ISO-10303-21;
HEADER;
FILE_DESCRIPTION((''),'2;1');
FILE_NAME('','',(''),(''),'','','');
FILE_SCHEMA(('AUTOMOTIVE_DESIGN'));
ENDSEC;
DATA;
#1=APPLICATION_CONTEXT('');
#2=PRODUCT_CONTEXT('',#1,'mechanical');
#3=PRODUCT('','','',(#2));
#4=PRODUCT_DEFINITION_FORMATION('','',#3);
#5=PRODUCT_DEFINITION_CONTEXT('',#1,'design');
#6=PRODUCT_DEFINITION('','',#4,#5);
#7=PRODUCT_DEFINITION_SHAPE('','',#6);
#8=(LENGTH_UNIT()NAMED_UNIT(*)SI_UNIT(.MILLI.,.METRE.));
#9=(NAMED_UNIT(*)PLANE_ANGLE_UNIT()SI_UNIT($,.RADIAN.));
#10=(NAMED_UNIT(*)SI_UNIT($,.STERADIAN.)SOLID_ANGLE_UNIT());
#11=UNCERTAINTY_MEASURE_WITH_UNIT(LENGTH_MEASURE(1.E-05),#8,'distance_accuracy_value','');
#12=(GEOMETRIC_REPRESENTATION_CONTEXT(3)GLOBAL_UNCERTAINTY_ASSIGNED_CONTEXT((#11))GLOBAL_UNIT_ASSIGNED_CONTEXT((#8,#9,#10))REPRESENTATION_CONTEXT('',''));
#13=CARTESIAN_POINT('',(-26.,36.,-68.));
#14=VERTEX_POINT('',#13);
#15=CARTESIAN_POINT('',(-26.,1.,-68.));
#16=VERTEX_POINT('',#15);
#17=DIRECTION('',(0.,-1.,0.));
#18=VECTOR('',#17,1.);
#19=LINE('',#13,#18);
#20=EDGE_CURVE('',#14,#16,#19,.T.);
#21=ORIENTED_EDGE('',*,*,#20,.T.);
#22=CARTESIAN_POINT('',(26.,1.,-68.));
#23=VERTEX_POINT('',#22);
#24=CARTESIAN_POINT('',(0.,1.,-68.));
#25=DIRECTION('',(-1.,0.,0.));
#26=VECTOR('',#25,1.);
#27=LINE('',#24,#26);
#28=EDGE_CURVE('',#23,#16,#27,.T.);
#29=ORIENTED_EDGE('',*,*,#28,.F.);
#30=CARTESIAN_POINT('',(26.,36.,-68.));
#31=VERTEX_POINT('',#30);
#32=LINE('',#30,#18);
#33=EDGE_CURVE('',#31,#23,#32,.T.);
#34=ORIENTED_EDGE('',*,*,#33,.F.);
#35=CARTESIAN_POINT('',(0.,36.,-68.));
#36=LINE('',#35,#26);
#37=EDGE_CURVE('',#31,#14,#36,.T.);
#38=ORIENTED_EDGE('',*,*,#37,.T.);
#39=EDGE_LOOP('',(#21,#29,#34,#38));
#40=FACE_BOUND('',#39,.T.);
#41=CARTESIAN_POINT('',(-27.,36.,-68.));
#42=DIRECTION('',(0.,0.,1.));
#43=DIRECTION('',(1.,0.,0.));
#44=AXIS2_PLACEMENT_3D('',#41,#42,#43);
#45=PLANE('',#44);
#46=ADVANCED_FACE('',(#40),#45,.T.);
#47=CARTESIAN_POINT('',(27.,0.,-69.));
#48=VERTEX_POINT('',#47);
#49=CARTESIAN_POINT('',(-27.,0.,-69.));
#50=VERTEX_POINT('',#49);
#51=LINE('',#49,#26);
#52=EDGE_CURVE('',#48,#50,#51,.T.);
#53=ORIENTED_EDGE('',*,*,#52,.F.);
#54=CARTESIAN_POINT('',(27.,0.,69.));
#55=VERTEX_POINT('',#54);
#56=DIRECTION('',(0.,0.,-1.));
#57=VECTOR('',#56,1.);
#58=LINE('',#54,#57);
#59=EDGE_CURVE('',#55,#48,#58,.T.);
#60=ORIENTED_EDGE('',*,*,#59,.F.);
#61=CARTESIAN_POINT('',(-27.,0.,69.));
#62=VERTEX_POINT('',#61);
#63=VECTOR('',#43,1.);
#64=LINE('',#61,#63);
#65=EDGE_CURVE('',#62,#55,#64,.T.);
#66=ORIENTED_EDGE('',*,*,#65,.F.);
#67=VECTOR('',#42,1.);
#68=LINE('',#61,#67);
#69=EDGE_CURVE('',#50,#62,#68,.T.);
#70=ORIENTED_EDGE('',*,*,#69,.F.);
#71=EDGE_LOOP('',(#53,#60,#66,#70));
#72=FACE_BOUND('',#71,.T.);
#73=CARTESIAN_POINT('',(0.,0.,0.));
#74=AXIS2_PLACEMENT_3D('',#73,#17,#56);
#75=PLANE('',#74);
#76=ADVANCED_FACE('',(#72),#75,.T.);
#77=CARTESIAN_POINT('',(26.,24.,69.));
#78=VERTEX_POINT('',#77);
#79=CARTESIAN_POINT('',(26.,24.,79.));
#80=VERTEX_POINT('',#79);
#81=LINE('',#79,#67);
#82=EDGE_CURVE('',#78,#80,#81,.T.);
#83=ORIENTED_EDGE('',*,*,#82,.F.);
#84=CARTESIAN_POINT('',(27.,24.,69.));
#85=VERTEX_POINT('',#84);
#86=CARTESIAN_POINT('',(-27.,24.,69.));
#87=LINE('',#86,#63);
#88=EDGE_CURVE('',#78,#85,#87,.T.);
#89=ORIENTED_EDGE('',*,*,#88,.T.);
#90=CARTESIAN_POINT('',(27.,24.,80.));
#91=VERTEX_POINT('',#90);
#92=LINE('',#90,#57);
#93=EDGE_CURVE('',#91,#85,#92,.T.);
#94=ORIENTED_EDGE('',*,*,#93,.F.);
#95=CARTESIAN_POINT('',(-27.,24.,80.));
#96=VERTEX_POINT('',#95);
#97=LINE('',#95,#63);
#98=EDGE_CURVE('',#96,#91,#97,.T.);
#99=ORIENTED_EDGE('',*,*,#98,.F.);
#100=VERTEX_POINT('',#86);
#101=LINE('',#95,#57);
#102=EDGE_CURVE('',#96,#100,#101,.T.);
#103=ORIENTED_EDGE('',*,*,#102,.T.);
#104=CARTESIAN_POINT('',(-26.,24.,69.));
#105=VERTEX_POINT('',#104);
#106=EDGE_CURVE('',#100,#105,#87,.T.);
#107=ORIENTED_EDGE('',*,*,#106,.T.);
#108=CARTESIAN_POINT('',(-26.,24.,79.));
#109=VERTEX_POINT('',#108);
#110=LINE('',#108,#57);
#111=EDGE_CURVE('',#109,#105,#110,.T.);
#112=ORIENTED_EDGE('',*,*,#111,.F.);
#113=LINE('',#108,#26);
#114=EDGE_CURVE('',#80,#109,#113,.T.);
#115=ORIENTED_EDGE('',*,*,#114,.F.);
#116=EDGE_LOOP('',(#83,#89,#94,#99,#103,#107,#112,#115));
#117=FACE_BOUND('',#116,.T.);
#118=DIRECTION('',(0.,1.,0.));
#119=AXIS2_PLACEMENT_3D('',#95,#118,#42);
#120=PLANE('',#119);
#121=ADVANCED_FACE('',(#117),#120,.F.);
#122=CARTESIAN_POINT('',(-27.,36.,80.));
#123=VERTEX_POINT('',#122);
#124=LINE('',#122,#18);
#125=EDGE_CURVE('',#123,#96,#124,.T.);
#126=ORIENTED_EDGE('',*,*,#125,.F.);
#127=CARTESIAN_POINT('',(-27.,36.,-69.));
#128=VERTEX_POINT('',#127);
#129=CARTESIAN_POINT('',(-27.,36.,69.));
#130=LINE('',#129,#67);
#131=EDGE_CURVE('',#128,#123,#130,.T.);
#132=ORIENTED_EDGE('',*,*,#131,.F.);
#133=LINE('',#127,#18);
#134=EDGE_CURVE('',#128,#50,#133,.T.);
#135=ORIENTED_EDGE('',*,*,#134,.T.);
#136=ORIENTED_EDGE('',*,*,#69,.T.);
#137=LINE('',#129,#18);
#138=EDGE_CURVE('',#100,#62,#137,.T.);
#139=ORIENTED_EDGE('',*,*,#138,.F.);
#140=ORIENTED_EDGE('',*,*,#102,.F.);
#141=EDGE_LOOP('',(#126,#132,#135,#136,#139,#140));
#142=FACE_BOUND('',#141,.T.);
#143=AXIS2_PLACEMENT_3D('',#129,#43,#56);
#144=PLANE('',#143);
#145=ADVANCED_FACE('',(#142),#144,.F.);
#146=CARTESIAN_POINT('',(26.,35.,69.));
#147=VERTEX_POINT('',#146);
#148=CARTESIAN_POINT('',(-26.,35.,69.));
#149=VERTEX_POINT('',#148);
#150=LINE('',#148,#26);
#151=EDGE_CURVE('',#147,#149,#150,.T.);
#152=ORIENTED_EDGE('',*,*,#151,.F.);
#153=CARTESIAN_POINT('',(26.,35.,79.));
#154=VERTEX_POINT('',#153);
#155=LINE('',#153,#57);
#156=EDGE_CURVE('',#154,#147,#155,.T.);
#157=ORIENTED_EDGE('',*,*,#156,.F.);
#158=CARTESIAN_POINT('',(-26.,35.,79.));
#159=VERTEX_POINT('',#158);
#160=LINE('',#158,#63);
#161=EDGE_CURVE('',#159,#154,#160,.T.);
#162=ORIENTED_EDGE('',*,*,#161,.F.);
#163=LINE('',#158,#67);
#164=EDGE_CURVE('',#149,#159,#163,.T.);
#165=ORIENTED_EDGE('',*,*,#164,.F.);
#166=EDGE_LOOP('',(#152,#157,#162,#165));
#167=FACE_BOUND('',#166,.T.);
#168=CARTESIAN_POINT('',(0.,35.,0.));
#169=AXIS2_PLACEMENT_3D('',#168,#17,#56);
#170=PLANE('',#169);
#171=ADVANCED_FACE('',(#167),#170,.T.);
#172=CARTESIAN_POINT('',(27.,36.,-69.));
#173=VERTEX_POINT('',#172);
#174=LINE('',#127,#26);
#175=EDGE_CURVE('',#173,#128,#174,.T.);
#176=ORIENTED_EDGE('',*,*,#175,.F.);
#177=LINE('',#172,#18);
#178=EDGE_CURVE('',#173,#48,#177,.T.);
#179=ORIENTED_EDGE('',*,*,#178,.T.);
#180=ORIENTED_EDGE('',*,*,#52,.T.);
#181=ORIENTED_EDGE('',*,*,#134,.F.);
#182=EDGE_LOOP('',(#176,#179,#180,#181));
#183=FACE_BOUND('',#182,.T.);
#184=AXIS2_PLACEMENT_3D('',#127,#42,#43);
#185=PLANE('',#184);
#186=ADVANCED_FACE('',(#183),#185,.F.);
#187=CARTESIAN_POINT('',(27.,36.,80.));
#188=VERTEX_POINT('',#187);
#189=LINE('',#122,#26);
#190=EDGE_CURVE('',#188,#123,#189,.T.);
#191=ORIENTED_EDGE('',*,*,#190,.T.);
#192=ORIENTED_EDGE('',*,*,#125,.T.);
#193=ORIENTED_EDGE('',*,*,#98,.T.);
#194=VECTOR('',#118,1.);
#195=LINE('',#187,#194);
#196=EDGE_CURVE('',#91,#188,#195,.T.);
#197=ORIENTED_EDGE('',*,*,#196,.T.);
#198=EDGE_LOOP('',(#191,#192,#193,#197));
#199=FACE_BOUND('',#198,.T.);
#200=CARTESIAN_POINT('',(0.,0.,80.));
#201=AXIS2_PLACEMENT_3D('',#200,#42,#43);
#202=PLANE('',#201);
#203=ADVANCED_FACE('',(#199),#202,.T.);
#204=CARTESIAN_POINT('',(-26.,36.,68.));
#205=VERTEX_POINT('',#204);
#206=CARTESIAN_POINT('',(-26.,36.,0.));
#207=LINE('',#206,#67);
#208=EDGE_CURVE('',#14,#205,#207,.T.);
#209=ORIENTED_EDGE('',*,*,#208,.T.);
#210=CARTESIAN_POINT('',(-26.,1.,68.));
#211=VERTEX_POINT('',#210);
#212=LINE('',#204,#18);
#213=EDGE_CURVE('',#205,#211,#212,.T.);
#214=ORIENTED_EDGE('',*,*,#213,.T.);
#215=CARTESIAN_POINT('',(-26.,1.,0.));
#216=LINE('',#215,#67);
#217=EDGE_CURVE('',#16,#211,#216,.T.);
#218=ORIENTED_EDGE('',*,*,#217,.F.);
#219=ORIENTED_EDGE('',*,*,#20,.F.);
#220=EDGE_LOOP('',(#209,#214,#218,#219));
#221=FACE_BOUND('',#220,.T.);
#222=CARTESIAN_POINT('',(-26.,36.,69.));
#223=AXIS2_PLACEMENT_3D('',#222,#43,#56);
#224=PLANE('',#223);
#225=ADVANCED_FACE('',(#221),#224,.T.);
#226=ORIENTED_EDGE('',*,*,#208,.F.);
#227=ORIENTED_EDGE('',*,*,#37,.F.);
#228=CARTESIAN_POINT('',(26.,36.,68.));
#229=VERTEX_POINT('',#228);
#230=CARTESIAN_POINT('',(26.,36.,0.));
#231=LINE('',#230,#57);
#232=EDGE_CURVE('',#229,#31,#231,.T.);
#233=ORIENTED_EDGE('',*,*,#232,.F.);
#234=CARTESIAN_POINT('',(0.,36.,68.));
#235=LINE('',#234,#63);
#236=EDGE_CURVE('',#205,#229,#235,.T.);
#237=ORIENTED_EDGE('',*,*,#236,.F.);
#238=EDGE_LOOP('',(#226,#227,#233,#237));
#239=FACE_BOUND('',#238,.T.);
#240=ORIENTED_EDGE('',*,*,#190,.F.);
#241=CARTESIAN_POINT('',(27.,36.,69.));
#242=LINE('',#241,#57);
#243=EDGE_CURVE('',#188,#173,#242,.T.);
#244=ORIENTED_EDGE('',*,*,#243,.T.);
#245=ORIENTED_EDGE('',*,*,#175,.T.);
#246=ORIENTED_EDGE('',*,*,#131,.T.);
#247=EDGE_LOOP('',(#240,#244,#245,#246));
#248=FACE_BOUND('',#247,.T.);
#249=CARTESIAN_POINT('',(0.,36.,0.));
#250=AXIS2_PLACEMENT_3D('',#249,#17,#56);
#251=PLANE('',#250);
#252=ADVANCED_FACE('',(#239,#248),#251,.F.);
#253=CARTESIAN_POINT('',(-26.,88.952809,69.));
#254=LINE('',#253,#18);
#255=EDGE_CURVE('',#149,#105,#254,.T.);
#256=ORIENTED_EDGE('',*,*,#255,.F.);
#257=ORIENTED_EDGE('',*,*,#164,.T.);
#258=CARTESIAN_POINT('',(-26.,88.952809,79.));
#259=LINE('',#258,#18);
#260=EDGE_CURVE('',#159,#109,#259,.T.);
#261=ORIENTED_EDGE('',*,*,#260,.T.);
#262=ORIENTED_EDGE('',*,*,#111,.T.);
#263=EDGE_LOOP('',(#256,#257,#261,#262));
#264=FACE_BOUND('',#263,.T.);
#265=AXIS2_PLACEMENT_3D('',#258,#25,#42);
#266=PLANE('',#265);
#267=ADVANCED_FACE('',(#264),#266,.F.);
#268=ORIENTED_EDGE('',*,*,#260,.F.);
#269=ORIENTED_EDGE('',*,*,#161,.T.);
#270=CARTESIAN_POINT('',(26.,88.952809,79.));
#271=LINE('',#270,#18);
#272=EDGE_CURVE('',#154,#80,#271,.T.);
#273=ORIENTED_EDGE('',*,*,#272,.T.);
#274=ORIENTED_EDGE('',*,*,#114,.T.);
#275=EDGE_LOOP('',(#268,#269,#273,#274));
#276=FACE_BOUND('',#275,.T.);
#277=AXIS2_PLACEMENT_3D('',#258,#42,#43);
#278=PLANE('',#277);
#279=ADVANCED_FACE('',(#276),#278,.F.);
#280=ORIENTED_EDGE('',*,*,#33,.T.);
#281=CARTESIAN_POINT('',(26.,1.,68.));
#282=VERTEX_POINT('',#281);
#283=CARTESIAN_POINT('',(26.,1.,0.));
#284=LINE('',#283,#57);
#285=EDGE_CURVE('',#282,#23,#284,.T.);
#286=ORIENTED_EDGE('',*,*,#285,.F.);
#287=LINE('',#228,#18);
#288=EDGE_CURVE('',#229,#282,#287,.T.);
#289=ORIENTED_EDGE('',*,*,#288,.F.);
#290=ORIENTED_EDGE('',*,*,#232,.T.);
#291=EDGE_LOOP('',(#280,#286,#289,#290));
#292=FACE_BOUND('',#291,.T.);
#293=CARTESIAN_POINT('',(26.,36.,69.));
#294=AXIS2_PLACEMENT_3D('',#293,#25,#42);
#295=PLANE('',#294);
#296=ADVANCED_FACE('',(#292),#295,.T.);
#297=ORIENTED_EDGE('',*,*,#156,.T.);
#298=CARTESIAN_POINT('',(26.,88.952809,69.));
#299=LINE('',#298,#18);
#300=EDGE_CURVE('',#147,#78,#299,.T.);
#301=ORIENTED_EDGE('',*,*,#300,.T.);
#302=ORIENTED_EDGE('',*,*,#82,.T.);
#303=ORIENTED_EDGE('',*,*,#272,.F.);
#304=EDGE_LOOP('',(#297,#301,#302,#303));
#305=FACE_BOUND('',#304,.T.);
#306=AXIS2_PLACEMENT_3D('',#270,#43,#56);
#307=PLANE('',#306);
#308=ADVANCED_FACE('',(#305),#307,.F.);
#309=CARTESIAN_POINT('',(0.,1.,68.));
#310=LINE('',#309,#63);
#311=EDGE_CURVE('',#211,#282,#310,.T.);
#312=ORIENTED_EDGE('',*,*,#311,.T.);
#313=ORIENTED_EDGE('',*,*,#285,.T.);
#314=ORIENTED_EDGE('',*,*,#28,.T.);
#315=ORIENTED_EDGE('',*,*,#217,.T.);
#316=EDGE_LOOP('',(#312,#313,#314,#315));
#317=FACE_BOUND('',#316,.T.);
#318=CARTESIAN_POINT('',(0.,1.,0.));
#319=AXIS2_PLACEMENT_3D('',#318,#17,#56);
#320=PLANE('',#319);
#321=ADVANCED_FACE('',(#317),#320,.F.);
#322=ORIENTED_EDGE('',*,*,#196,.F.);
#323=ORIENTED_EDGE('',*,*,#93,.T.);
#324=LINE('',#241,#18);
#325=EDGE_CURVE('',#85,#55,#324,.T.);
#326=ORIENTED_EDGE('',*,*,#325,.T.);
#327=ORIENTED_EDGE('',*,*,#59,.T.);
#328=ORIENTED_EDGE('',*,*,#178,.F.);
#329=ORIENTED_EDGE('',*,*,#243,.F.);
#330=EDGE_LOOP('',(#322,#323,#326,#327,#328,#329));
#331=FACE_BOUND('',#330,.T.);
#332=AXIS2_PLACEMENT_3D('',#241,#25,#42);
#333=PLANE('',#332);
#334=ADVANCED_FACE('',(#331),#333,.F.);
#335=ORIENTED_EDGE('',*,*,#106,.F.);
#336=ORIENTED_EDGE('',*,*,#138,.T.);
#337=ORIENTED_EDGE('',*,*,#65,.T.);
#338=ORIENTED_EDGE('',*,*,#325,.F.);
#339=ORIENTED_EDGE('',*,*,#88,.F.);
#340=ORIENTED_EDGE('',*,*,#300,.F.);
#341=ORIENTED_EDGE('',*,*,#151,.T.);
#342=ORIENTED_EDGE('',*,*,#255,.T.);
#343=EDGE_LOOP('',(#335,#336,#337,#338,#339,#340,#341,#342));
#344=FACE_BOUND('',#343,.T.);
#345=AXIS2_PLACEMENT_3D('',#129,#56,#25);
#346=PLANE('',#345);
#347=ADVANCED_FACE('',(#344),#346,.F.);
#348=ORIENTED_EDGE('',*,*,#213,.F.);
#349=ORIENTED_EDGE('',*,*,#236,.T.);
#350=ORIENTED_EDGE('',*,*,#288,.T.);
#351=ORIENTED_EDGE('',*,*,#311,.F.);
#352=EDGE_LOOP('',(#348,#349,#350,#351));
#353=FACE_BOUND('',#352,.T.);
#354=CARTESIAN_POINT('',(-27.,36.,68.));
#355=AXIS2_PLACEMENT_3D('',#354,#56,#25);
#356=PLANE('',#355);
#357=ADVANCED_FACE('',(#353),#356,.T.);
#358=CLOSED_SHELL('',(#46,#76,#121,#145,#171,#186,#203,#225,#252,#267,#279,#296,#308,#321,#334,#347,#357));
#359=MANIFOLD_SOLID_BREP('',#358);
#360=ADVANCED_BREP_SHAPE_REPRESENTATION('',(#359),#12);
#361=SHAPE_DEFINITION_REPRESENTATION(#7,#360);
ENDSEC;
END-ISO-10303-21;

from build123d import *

# Parameters (mm, degrees)
SKETCH_4_W          = 54
SKETCH_4_H          = 138
EXTRUDE_1_DEPTH     = 36
SHELL_1_T           = -1
SKETCH_5_W          = 54
SKETCH_5_H          = 12
EXTRUDE_2_DEPTH     = 11
SKETCH_6_W          = 52
SKETCH_6_H          = 10
CUT_EXTRUDE_1_DEPTH = 11


with BuildPart() as part:
    # 草图4 → 凸台-拉伸1 (new body)
    with BuildSketch(Plane(origin=(0, 0, 0), x_dir=(1, 0, 0), z_dir=(0, 1, 0))):
        Rectangle(SKETCH_4_W, SKETCH_4_H)
    extrude(amount=EXTRUDE_1_DEPTH)

    # 抽壳1
    shell_1_openings = [part.faces().sort_by_distance(p)[0] for p in [
        (0, 36, 0),
    ]]
    offset(amount=SHELL_1_T, openings=shell_1_openings, kind=Kind.INTERSECTION)

    # 草图5 → 凸台-拉伸2 (add)
    with BuildSketch(Plane.XY.offset(69)):
        with Locations((0, 30)):
            Rectangle(SKETCH_5_W, SKETCH_5_H)
    extrude(amount=EXTRUDE_2_DEPTH)

    # 草图6 → 切除-拉伸1 (cut)
    with BuildSketch(Plane.XZ.offset(-24)):
        with Locations((0, 74)):
            Rectangle(SKETCH_6_W, SKETCH_6_H)
    extrude(amount=-CUT_EXTRUDE_1_DEPTH, mode=Mode.SUBTRACT)


solid = part.part
